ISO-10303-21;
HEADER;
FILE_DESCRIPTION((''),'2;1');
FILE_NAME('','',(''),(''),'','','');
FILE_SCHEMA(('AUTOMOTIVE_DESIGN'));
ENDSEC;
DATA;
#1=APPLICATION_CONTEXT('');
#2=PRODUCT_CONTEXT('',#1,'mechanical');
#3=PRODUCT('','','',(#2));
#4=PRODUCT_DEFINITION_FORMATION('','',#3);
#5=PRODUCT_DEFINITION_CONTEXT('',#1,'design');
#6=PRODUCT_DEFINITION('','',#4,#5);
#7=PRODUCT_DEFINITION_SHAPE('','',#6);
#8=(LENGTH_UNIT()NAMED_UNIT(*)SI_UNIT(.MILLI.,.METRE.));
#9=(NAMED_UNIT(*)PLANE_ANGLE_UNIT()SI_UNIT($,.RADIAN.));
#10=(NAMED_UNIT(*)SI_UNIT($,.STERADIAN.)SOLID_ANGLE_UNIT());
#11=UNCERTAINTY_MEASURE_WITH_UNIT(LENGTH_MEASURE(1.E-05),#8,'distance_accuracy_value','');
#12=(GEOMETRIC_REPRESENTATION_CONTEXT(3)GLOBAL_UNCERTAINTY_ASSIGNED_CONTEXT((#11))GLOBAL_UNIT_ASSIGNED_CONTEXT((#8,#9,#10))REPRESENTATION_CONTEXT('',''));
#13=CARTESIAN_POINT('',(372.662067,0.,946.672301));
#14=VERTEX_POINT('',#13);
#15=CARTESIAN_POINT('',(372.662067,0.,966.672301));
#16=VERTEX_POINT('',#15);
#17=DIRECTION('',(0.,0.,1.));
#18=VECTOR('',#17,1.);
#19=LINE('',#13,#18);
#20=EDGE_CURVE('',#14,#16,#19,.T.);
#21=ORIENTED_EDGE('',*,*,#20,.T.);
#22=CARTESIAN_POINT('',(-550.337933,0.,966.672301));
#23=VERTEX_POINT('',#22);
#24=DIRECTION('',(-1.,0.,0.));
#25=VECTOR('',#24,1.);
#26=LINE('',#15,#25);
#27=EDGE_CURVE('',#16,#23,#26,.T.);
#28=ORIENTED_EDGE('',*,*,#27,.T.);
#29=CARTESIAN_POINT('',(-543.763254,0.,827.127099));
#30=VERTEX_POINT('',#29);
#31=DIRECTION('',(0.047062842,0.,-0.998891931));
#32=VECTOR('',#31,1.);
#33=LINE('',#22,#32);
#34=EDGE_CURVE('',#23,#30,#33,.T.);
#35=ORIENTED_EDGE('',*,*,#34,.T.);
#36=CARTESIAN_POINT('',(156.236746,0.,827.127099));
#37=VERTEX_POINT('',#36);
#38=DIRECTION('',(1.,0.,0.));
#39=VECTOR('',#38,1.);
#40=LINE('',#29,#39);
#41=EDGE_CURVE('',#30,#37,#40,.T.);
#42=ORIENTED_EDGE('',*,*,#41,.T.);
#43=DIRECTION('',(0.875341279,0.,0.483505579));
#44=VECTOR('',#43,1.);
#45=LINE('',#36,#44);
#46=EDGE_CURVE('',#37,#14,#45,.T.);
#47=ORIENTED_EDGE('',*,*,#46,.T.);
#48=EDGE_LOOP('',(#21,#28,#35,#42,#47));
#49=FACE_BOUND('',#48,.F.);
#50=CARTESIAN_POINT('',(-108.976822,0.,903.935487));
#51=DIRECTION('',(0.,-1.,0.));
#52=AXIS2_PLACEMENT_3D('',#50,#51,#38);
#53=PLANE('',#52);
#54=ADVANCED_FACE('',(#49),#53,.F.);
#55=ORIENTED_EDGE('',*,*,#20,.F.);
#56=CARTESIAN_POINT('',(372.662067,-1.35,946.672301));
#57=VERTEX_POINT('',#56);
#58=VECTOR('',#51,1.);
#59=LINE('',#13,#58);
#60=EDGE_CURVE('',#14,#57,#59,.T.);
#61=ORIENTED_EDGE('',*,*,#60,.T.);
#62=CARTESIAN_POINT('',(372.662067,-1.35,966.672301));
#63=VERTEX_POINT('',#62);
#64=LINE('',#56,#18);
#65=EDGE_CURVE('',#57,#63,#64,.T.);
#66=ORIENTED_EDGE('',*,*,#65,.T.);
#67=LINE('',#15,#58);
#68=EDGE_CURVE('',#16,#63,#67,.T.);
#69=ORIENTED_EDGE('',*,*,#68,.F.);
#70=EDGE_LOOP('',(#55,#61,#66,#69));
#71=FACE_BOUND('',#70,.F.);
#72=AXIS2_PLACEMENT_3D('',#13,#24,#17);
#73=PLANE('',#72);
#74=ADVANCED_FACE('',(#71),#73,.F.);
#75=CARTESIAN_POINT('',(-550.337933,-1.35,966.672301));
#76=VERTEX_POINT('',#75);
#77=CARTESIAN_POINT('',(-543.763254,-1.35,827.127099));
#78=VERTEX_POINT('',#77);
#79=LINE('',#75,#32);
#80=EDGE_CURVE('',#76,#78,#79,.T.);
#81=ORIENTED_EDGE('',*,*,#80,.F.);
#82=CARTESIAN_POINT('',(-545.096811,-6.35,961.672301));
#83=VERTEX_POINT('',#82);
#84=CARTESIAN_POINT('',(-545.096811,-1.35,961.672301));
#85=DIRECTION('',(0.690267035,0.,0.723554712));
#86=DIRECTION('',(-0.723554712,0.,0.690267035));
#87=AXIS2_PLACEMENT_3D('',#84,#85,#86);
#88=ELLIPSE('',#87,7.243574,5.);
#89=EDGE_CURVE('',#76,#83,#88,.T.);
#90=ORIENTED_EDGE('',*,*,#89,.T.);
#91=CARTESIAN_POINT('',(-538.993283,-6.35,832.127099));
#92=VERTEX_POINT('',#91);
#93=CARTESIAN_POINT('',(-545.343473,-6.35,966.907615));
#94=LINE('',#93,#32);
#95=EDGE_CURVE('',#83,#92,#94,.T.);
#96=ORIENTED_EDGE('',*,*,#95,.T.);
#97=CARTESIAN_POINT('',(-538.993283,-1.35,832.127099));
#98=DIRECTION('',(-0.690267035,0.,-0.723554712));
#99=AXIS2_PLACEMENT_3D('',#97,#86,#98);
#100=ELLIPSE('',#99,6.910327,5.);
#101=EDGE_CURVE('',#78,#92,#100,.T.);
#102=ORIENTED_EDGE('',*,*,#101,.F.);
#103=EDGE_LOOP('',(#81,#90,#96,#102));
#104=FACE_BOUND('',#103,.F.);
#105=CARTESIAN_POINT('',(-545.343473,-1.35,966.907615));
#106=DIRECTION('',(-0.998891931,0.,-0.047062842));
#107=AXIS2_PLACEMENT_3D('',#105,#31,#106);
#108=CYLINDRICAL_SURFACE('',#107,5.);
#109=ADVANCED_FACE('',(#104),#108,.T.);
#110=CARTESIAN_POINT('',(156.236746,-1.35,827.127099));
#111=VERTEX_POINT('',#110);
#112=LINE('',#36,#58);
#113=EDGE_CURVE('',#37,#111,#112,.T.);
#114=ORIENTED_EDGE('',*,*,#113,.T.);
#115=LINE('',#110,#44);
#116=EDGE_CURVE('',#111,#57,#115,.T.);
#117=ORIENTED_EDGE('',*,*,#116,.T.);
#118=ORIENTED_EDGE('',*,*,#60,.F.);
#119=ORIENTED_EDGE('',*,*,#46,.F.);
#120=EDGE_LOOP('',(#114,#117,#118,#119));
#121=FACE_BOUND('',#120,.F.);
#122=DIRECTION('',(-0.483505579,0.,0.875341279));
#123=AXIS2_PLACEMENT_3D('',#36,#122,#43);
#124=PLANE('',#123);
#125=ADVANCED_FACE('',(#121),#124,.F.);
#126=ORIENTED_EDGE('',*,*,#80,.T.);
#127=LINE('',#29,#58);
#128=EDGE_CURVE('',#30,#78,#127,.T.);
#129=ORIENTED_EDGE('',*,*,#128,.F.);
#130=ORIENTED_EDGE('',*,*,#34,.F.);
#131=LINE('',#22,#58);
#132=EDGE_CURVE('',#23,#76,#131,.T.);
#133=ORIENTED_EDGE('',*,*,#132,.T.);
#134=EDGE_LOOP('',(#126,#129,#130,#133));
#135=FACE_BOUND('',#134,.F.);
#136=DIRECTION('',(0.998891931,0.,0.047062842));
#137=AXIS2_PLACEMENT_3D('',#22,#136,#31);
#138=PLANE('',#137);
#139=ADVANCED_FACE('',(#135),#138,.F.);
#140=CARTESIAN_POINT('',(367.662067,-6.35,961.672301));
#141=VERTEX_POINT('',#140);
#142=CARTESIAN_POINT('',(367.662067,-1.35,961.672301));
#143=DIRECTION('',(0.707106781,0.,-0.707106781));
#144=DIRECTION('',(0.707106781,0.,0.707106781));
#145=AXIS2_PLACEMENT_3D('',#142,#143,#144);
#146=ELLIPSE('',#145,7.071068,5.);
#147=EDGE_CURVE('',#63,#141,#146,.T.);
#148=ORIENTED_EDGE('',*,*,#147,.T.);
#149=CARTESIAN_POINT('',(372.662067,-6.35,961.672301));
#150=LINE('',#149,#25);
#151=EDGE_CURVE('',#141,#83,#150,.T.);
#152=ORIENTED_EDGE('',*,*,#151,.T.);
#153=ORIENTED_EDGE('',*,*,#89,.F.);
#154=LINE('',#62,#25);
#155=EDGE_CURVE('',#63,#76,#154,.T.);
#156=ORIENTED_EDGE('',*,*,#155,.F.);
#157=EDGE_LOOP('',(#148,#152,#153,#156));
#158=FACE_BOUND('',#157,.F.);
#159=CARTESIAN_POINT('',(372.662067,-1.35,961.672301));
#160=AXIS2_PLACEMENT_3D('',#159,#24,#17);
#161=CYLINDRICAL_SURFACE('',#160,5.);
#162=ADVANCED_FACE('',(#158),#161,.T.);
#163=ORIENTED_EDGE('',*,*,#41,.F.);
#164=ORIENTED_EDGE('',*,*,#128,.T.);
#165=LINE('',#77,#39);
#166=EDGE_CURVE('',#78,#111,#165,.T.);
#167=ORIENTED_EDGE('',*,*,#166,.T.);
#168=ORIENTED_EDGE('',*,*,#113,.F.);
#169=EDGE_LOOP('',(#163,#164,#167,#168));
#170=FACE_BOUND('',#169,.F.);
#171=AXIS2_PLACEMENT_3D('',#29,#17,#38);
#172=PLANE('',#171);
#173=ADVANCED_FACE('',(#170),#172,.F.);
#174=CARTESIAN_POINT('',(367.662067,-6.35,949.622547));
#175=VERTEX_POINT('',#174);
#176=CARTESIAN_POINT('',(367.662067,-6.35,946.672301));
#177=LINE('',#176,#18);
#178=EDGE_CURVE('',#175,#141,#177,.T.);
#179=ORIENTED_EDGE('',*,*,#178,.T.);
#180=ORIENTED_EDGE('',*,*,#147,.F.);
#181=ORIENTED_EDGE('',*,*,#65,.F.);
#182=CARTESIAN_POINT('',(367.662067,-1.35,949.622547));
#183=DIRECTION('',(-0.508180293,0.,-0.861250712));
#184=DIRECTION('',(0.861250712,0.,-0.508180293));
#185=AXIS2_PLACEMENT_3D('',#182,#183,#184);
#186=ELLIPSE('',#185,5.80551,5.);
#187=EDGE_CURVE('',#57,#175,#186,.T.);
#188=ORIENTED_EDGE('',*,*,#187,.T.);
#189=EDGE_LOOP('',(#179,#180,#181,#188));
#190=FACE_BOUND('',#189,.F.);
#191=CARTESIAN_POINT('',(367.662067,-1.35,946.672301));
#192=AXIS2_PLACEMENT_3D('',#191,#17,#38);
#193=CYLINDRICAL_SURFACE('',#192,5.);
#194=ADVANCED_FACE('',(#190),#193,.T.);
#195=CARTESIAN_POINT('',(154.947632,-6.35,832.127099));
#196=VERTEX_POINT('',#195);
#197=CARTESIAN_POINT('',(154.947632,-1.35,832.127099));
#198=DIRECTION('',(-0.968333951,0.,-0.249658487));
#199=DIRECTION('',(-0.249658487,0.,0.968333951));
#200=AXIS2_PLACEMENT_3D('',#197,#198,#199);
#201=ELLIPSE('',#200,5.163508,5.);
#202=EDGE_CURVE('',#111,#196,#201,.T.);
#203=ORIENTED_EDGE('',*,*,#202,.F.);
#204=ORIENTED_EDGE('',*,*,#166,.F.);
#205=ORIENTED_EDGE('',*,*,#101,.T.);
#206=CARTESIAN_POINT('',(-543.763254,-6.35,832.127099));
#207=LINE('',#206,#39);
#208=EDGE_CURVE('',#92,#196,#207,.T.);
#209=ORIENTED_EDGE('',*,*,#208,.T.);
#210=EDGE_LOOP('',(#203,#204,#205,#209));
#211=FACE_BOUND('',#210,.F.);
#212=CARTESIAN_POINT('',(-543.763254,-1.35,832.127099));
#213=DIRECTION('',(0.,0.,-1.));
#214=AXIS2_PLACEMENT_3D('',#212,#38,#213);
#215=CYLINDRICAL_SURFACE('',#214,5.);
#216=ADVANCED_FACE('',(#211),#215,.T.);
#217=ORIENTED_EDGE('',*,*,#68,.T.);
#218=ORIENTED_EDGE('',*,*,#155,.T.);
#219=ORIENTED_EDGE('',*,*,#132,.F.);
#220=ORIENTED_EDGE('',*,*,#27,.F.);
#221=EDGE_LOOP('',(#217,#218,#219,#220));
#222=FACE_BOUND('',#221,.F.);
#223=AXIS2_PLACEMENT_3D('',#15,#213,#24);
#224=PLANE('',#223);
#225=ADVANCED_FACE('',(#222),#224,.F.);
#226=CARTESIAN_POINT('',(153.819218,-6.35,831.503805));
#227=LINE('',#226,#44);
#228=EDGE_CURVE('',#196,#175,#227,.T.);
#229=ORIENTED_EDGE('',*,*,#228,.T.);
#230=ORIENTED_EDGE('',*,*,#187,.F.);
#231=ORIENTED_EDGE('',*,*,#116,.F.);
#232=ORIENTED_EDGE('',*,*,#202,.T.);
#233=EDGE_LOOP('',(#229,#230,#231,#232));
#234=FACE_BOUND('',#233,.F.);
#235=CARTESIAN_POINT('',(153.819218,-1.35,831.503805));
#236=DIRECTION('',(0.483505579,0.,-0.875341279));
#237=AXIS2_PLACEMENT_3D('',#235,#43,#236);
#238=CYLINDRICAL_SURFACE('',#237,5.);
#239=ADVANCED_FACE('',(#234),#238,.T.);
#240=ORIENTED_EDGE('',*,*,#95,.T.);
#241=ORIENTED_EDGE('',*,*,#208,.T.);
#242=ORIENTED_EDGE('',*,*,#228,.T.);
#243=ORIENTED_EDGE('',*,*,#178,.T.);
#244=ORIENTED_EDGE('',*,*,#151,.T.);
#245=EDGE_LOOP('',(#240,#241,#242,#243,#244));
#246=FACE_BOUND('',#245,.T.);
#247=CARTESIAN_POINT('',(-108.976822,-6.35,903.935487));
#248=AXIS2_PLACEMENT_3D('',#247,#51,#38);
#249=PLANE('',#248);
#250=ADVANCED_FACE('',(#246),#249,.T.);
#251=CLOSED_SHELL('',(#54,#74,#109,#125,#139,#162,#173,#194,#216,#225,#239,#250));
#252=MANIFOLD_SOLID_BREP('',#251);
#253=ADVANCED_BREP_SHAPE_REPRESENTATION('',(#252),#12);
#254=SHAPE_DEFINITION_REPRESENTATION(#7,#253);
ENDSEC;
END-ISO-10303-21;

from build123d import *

# Parameters (mm, degrees)
F1_DEPTH = 6.35
F2_R     = 5


with BuildPart() as f1:
    # F0 (on Front) → F1 (new body)
    with BuildSketch(Plane.XZ):
        Polygon((372.662067, 966.672301), (-550.337933, 966.672301), (-543.763254, 827.127099), (156.236746, 827.127099), (372.662067, 946.672301), align=None)
    extrude(amount=F1_DEPTH)

    # F2
    f2_edges = [f1.edges().sort_by_distance(p)[0] for p in [
        (264.449407, -6.35, 886.8997),
        (372.662067, -6.35, 956.672301),
        (-88.837933, -6.35, 966.672301),
        (-547.050593, -6.35, 896.8997),
        (-193.763254, -6.35, 827.127099),
    ]]
    fillet(f2_edges, radius=F2_R)


solid = f1.part
